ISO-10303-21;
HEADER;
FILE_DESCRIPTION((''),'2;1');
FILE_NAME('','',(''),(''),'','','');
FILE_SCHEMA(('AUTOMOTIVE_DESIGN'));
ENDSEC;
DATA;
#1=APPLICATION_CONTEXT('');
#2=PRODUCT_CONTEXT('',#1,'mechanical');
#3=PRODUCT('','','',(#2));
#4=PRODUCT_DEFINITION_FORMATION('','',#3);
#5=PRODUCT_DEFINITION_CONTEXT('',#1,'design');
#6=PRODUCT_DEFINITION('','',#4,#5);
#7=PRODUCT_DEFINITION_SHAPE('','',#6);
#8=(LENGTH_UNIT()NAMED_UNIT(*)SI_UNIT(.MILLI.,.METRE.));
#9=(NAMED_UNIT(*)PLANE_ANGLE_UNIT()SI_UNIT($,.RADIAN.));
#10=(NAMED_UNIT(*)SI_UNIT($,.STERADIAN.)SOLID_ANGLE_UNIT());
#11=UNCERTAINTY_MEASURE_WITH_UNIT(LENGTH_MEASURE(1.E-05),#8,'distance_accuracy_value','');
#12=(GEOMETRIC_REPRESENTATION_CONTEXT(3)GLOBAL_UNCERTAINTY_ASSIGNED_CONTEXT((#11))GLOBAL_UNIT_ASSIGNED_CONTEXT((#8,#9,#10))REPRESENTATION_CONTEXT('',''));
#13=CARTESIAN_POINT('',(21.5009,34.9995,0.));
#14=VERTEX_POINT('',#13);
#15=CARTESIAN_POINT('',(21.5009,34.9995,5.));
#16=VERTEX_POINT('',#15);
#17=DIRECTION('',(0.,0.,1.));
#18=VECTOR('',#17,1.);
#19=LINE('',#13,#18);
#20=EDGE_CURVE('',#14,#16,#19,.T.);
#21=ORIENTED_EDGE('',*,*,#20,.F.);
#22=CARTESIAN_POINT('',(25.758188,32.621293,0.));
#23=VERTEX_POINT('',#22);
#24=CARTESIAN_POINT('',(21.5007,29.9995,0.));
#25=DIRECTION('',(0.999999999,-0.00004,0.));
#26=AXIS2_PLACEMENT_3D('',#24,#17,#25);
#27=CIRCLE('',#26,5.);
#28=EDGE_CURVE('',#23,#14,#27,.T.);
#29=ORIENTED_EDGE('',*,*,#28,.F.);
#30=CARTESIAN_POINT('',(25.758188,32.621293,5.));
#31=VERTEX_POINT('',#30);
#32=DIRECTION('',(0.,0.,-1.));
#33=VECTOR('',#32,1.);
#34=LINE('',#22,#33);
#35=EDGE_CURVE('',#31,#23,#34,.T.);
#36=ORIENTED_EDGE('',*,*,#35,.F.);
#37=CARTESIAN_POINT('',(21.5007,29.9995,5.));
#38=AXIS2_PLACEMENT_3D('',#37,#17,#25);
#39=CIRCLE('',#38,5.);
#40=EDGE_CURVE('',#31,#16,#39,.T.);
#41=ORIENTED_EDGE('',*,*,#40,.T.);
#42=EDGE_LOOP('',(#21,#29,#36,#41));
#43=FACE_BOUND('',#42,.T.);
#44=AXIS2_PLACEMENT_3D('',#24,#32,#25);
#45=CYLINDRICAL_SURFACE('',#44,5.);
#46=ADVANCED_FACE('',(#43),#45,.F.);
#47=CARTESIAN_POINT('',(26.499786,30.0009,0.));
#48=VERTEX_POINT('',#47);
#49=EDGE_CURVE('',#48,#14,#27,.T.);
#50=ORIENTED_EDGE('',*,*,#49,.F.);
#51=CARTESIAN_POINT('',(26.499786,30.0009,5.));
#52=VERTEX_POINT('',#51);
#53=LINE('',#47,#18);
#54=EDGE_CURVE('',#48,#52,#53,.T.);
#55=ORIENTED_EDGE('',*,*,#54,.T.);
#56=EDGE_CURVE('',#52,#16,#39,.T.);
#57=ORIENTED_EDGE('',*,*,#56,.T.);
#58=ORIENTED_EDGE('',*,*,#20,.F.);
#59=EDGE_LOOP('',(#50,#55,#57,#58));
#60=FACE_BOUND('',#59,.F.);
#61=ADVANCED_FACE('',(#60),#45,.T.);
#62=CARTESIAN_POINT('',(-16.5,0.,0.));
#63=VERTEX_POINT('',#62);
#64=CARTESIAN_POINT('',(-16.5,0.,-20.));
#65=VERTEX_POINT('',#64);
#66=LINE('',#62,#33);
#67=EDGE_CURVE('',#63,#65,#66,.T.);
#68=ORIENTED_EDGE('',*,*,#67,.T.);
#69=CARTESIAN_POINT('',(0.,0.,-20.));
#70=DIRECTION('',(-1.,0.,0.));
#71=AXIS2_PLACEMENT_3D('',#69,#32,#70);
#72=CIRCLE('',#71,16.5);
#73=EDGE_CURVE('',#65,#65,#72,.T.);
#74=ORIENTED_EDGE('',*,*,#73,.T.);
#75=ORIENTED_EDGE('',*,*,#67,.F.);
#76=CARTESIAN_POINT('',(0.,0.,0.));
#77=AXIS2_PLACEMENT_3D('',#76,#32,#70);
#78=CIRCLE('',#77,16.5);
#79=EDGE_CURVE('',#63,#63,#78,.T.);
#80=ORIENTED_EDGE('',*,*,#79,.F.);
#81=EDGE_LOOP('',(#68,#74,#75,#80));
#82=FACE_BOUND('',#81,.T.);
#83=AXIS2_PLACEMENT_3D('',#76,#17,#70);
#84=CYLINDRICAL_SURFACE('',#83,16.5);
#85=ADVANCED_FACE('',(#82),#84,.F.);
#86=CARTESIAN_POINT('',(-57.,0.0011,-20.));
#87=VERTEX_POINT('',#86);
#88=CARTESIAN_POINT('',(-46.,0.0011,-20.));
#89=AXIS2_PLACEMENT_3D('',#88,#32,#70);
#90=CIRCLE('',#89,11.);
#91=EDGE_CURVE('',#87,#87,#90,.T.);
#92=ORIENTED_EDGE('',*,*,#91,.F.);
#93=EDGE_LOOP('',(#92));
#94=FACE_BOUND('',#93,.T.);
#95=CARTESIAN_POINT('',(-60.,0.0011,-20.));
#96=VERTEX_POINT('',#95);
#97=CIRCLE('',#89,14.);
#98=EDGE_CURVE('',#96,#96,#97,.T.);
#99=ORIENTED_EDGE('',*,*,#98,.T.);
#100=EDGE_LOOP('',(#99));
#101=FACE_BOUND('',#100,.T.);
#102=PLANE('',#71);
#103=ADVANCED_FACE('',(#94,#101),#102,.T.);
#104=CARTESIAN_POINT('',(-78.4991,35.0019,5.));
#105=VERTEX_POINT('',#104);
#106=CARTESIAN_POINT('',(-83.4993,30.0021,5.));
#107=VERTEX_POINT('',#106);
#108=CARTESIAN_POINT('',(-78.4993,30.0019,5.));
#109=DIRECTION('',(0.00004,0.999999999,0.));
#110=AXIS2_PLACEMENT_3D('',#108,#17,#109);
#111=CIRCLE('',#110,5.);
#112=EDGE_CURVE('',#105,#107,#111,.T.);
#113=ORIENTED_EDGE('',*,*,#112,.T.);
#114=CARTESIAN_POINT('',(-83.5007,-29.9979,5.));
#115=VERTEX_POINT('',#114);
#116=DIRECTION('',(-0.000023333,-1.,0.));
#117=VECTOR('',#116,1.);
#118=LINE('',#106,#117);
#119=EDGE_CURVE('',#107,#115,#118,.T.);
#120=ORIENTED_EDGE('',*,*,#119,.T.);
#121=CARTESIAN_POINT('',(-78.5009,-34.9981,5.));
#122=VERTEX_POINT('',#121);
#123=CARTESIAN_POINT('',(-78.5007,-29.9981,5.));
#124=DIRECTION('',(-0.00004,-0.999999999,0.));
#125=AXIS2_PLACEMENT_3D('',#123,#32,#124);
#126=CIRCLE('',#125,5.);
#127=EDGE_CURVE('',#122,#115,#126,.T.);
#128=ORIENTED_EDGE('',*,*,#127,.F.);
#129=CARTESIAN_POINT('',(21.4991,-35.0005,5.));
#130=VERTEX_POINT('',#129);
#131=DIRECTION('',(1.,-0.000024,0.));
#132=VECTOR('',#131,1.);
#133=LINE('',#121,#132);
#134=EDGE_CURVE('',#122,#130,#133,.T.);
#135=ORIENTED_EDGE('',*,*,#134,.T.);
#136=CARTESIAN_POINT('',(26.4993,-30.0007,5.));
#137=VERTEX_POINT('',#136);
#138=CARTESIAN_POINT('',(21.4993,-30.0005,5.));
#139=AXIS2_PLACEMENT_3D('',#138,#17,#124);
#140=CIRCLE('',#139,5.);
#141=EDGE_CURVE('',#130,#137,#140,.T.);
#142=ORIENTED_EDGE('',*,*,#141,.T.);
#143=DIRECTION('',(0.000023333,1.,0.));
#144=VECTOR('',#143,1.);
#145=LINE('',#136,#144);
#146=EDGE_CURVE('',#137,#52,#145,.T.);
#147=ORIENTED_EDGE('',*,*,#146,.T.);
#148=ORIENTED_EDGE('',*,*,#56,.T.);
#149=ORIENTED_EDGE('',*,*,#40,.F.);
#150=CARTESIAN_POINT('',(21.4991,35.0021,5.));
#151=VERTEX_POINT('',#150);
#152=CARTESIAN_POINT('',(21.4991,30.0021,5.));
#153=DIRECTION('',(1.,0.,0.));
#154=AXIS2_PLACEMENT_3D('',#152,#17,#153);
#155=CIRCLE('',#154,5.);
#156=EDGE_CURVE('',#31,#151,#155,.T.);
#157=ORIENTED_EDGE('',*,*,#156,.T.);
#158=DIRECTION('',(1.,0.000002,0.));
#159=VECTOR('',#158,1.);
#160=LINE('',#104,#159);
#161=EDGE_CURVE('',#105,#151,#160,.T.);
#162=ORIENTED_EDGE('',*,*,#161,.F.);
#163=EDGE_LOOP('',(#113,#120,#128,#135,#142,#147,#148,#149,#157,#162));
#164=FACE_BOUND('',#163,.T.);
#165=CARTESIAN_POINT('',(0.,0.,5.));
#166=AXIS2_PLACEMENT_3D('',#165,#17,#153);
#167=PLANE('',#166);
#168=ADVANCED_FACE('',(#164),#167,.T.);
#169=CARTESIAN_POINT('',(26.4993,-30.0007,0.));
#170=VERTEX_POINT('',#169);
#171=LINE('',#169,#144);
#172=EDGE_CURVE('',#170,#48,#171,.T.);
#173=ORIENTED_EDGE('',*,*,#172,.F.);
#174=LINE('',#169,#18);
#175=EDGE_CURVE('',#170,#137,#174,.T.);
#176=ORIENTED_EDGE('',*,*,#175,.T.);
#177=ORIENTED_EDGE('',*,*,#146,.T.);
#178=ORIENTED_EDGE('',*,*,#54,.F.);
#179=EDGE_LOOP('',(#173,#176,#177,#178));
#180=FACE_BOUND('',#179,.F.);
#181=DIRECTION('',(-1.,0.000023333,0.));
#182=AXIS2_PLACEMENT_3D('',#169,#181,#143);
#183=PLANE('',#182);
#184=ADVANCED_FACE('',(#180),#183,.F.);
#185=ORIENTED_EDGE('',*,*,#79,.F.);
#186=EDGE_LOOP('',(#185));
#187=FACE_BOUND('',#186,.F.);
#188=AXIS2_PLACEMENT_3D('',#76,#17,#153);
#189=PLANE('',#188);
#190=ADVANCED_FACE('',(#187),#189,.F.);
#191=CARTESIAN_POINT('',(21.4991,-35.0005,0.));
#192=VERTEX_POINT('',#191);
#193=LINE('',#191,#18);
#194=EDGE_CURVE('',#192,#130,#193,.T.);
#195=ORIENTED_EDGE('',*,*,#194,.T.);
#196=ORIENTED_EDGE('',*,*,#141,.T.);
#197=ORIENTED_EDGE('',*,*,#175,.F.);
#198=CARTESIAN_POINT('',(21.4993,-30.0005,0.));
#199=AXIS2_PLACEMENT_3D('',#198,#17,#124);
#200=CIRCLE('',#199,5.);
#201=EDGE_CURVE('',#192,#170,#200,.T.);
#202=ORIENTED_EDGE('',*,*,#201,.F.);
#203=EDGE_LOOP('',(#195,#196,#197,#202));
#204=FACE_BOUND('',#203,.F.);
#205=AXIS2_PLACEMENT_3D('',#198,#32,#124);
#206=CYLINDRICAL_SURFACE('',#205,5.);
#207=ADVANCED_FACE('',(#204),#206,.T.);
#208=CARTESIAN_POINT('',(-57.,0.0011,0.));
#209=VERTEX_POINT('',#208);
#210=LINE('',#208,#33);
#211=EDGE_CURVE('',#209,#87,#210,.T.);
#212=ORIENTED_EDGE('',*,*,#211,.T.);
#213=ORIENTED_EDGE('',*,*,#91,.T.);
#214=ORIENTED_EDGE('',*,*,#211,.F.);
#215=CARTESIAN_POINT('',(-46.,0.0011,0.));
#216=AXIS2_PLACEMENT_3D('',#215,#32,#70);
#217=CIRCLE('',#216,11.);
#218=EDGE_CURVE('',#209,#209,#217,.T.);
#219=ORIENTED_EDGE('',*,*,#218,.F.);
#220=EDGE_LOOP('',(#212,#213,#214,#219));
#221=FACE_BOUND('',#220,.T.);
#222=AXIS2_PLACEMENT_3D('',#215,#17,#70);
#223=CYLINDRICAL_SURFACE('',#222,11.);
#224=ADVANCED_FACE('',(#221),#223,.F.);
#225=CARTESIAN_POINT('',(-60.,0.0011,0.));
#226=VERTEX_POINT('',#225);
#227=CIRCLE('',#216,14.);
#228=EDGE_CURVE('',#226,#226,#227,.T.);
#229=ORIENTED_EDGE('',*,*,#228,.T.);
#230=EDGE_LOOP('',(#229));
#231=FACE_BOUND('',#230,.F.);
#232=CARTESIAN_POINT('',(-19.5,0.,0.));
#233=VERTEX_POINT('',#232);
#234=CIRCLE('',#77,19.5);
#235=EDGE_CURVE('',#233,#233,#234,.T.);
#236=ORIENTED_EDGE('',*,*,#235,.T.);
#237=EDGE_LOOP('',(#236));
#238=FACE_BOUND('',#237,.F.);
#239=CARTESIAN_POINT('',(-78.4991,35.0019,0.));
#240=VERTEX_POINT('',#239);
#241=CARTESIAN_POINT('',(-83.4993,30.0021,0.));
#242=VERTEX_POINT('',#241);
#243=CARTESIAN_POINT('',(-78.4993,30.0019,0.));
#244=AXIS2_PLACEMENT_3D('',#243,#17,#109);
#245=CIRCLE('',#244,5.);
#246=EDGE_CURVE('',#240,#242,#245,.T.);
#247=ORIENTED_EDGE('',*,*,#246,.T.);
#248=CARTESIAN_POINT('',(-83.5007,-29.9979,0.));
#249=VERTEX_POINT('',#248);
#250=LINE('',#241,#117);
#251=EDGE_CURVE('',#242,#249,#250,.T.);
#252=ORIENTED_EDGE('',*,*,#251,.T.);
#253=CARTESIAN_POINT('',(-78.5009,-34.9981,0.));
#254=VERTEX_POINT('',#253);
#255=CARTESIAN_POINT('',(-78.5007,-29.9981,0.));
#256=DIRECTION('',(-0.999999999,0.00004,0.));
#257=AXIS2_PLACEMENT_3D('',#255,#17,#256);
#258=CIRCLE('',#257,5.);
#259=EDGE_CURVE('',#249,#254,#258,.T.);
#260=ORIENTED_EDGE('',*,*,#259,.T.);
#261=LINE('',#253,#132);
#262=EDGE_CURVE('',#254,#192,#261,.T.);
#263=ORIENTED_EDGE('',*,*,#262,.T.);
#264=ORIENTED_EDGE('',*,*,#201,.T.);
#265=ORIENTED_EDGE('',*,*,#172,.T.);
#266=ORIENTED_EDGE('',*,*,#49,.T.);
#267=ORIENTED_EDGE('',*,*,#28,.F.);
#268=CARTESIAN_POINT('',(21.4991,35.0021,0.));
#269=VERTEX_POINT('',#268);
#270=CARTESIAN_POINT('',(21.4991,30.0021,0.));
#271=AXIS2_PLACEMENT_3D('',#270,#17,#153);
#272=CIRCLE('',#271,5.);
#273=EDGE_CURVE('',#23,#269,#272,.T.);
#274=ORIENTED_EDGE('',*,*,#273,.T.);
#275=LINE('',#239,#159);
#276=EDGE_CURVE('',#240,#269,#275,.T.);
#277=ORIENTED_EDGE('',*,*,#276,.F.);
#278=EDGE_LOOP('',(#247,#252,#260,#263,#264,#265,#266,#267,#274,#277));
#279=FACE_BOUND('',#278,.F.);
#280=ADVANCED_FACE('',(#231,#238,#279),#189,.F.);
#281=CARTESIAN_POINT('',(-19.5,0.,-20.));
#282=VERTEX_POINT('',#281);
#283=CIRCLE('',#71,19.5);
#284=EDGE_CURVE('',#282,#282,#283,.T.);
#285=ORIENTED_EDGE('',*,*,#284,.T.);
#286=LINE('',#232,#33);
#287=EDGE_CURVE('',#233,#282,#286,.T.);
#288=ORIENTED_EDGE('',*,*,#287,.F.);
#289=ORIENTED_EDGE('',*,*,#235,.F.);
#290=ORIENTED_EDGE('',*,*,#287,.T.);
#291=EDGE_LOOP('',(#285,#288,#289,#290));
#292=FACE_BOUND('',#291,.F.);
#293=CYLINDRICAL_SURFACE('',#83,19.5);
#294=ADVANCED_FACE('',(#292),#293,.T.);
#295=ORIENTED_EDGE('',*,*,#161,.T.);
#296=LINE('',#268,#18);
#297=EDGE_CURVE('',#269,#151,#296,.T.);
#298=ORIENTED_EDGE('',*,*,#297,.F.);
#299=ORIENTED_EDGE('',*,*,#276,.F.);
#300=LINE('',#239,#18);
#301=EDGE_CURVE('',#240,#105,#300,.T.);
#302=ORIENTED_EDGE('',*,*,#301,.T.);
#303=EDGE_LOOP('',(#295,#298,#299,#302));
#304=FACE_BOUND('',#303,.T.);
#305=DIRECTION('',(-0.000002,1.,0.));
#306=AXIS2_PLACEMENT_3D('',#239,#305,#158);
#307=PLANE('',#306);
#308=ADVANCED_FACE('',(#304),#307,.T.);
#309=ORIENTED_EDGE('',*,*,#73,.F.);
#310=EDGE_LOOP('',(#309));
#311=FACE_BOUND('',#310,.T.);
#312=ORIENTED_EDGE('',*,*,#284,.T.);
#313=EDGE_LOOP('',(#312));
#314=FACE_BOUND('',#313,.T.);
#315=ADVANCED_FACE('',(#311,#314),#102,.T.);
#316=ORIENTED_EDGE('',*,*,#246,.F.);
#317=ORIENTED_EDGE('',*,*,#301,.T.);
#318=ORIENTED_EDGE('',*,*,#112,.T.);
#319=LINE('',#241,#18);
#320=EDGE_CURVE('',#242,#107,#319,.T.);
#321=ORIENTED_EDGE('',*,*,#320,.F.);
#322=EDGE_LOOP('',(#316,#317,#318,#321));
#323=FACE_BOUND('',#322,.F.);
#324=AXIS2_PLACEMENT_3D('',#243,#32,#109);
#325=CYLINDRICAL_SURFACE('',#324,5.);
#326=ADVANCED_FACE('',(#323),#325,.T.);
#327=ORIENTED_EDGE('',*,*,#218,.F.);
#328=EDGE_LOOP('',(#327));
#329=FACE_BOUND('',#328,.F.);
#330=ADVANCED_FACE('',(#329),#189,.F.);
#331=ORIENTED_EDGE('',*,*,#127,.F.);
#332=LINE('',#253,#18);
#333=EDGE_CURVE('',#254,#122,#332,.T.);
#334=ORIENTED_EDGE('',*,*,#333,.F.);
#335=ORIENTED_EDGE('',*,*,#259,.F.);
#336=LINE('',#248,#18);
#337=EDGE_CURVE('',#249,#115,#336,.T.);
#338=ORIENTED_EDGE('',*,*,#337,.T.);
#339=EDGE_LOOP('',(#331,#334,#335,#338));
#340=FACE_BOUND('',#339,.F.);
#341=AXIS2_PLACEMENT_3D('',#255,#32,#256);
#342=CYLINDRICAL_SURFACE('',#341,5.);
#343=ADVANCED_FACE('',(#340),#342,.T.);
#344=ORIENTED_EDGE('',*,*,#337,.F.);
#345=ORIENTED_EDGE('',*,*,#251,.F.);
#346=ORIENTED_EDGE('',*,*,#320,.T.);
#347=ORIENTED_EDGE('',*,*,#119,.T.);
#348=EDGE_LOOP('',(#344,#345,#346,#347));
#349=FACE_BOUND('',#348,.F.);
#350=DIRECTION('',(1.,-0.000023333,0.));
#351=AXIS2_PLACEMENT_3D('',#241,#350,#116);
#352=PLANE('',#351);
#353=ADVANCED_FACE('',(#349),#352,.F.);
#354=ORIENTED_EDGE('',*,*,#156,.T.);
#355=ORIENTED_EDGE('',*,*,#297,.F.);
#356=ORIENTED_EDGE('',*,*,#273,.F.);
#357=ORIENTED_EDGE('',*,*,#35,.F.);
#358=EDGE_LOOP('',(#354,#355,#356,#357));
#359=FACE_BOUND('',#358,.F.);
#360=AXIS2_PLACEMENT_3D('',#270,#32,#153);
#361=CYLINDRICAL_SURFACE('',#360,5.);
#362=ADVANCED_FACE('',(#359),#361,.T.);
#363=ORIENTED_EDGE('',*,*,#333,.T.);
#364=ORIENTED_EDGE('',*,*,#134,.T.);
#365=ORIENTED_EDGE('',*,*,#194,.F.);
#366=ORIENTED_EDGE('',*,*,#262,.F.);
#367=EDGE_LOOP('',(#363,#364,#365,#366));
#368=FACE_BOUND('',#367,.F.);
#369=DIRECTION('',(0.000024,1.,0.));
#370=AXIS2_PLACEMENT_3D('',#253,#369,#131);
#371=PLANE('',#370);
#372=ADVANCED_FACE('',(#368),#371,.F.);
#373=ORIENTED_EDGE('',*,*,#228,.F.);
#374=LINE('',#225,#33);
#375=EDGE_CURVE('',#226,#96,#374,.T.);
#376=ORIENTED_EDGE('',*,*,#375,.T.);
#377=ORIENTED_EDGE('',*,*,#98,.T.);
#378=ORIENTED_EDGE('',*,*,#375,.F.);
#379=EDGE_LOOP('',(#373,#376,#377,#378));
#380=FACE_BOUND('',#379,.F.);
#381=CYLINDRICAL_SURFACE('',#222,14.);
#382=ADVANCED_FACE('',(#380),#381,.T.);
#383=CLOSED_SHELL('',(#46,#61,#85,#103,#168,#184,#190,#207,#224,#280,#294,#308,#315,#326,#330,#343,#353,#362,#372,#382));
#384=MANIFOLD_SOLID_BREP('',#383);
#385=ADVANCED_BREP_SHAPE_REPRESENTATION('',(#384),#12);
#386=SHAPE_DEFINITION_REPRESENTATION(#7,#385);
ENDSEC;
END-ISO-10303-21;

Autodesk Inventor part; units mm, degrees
ref_plane "YZ Plane" through (0, 0, 0) normal (1, 0, 0) x (0, 1, 0)
ref_plane "XZ Plane" through (0, 0, 0) normal (0, 1, 0) x (-1, 0, 0)
ref_plane "XY Plane" through (0, 0, 0) normal (0, 0, 1) x (1, 0, 0)
sketch "Sketch1" plane through (0, 0, 0) normal (0, 0, 1) x (1, 0, 0)
  circle A0 centre (0, 0) radius 16.5 construction
  circle A1 centre (-46, 0.0011) radius 3 construction
  arc A2 (21.4991, -35.0005) -> (26.4993, -30.0007) centre (21.4993, -30.0005) ccw projected
  line L0 (26.4993, -30.0007) -> (26.5007, 29.9993) projected
  arc A3 (26.5007, 29.9993) -> (21.5009, 34.9995) centre (21.5007, 29.9995) ccw projected
  line L1 (21.5009, 34.9995) -> (-78.4991, 35.0019) projected
  arc A4 (-78.4991, 35.0019) -> (-83.4993, 30.0021) centre (-78.4993, 30.0019) ccw projected
  line L2 (-83.4993, 30.0021) -> (-83.5007, -29.9979) projected
  arc A5 (-83.5007, -29.9979) -> (-78.5009, -34.9981) centre (-78.5007, -29.9981) ccw projected
  line L3 (-78.5009, -34.9981) -> (21.4991, -35.0005) projected
  circle A6 centre (0, 0) radius 18.5 construction
  circle A7 centre (21.4993, -30.0005) radius 2.5 construction
  circle A8 centre (-78.5007, -29.9981) radius 2.5 construction
  circle A9 centre (21.5007, 29.9995) radius 2.5 construction
  circle A10 centre (-78.4993, 30.0019) radius 2.5 construction
  line L4 (-57.9994, 22.5014) -> (-67.4994, 22.5017) construction
  arc A11 (-67.4994, 22.5017) -> (-68.4995, 21.5017) centre (-67.4995, 21.5017) ccw construction
  line L5 (-68.4995, 21.5017) -> (-68.5005, -21.4983) construction
  arc A12 (-68.5005, -21.4983) -> (-67.5006, -22.4983) centre (-67.5005, -21.4983) ccw construction
  line L6 (-67.5006, -22.4983) -> (-24.5006, -22.4994) construction
  arc A13 (-24.5006, -22.4994) -> (-23.5005, -21.4994) centre (-24.5005, -21.4994) ccw construction
  line L7 (-23.4995, 21.5006) -> (-23.5005, -21.4994) construction
  arc A14 (-23.4995, 21.5006) -> (-24.4994, 22.5006) centre (-24.4995, 21.5006) ccw construction
  line L8 (-24.4994, 22.5006) -> (-33.9994, 22.5008) construction
  line L9 (-33.9994, 25.0008) -> (-33.9994, 22.5008) construction
  line L10 (-33.9994, 25.0008) -> (-22.9994, 25.0006) construction
  arc A15 (-20.9994, 23.0005) -> (-22.9994, 25.0006) centre (-22.9994, 23.0006) ccw construction
  line L11 (-20.9994, 23.0005) -> (-21.0006, -22.9995) construction
  arc A16 (-23.0006, -24.9994) -> (-21.0006, -22.9995) centre (-23.0006, -22.9994) ccw construction
  line L12 (-23.0006, -24.9994) -> (-69.0006, -24.9983) construction
  arc A17 (-71.0006, -22.9982) -> (-69.0006, -24.9983) centre (-69.0006, -22.9983) ccw construction
  line L13 (-71.0006, -22.9982) -> (-70.9994, 23.0018) construction
  arc A18 (-68.9994, 25.0017) -> (-70.9994, 23.0018) centre (-68.9994, 23.0017) ccw construction
  line L14 (-68.9994, 25.0017) -> (-57.9994, 25.0014) construction
  line L15 (-57.9994, 25.0014) -> (-57.9994, 22.5014) construction
  line L16 (21.4991, -35.0007) -> (-78.5007, -35.0007)
  line L17 (-83.5007, -30.0007) -> (-83.5007, 30.0021)
  line L18 (-78.5007, 35.0021) -> (21.4991, 35.0021)
  line L19 (26.4991, 30.0021) -> (26.4991, -30.0007)
  arc A19 (26.4991, 30.0021) -> (21.4991, 35.0021) centre (21.4991, 30.0021) ccw
  arc A20 (-78.5007, 35.0021) -> (-83.5007, 30.0021) centre (-78.5007, 30.0021) ccw
  arc A21 (-83.5007, -30.0007) -> (-78.5007, -35.0007) centre (-78.5007, -30.0007) ccw
  arc A22 (21.4991, -35.0007) -> (26.4991, -30.0007) centre (21.4991, -30.0007) ccw
  point P0 (0, 0)
  point P1 (26.4991, -35.0007)
  point P2 (-83.5007, 35.0021)
  point P3 (25.0347, -33.5362)
  point P4 (25.7513, 32.6325)
  dimension "d1" = 5
extrude "Extrusion1" add sketch "Sketch1" along normal blind 5 contours L3 A5 L2 A4 L1 A3 L0 A2 | A3 L1 L18 A19
sketch "Sketch2" plane through (0, 0, 0) normal (0, 0, -1) x (-1, 0, 0)
  circle A0 centre (46, 0.0011) radius 3 construction
  circle A1 centre (0, 0) radius 16.5 projected
  circle A2 centre (0, 0) radius 16.5
  circle A3 centre (46, 0.0011) radius 11
  circle A4 centre (46, 0.0011) radius 14
  circle A5 centre (0, 0) radius 19.5
  point P0 (0, 0)
  dimension "d5" = 22
  dimension "d6" = 28
  dimension "d7" = 39
extrude "Extrusion2" add sketch "Sketch2" along normal blind 20
properties part number "Top_part"
